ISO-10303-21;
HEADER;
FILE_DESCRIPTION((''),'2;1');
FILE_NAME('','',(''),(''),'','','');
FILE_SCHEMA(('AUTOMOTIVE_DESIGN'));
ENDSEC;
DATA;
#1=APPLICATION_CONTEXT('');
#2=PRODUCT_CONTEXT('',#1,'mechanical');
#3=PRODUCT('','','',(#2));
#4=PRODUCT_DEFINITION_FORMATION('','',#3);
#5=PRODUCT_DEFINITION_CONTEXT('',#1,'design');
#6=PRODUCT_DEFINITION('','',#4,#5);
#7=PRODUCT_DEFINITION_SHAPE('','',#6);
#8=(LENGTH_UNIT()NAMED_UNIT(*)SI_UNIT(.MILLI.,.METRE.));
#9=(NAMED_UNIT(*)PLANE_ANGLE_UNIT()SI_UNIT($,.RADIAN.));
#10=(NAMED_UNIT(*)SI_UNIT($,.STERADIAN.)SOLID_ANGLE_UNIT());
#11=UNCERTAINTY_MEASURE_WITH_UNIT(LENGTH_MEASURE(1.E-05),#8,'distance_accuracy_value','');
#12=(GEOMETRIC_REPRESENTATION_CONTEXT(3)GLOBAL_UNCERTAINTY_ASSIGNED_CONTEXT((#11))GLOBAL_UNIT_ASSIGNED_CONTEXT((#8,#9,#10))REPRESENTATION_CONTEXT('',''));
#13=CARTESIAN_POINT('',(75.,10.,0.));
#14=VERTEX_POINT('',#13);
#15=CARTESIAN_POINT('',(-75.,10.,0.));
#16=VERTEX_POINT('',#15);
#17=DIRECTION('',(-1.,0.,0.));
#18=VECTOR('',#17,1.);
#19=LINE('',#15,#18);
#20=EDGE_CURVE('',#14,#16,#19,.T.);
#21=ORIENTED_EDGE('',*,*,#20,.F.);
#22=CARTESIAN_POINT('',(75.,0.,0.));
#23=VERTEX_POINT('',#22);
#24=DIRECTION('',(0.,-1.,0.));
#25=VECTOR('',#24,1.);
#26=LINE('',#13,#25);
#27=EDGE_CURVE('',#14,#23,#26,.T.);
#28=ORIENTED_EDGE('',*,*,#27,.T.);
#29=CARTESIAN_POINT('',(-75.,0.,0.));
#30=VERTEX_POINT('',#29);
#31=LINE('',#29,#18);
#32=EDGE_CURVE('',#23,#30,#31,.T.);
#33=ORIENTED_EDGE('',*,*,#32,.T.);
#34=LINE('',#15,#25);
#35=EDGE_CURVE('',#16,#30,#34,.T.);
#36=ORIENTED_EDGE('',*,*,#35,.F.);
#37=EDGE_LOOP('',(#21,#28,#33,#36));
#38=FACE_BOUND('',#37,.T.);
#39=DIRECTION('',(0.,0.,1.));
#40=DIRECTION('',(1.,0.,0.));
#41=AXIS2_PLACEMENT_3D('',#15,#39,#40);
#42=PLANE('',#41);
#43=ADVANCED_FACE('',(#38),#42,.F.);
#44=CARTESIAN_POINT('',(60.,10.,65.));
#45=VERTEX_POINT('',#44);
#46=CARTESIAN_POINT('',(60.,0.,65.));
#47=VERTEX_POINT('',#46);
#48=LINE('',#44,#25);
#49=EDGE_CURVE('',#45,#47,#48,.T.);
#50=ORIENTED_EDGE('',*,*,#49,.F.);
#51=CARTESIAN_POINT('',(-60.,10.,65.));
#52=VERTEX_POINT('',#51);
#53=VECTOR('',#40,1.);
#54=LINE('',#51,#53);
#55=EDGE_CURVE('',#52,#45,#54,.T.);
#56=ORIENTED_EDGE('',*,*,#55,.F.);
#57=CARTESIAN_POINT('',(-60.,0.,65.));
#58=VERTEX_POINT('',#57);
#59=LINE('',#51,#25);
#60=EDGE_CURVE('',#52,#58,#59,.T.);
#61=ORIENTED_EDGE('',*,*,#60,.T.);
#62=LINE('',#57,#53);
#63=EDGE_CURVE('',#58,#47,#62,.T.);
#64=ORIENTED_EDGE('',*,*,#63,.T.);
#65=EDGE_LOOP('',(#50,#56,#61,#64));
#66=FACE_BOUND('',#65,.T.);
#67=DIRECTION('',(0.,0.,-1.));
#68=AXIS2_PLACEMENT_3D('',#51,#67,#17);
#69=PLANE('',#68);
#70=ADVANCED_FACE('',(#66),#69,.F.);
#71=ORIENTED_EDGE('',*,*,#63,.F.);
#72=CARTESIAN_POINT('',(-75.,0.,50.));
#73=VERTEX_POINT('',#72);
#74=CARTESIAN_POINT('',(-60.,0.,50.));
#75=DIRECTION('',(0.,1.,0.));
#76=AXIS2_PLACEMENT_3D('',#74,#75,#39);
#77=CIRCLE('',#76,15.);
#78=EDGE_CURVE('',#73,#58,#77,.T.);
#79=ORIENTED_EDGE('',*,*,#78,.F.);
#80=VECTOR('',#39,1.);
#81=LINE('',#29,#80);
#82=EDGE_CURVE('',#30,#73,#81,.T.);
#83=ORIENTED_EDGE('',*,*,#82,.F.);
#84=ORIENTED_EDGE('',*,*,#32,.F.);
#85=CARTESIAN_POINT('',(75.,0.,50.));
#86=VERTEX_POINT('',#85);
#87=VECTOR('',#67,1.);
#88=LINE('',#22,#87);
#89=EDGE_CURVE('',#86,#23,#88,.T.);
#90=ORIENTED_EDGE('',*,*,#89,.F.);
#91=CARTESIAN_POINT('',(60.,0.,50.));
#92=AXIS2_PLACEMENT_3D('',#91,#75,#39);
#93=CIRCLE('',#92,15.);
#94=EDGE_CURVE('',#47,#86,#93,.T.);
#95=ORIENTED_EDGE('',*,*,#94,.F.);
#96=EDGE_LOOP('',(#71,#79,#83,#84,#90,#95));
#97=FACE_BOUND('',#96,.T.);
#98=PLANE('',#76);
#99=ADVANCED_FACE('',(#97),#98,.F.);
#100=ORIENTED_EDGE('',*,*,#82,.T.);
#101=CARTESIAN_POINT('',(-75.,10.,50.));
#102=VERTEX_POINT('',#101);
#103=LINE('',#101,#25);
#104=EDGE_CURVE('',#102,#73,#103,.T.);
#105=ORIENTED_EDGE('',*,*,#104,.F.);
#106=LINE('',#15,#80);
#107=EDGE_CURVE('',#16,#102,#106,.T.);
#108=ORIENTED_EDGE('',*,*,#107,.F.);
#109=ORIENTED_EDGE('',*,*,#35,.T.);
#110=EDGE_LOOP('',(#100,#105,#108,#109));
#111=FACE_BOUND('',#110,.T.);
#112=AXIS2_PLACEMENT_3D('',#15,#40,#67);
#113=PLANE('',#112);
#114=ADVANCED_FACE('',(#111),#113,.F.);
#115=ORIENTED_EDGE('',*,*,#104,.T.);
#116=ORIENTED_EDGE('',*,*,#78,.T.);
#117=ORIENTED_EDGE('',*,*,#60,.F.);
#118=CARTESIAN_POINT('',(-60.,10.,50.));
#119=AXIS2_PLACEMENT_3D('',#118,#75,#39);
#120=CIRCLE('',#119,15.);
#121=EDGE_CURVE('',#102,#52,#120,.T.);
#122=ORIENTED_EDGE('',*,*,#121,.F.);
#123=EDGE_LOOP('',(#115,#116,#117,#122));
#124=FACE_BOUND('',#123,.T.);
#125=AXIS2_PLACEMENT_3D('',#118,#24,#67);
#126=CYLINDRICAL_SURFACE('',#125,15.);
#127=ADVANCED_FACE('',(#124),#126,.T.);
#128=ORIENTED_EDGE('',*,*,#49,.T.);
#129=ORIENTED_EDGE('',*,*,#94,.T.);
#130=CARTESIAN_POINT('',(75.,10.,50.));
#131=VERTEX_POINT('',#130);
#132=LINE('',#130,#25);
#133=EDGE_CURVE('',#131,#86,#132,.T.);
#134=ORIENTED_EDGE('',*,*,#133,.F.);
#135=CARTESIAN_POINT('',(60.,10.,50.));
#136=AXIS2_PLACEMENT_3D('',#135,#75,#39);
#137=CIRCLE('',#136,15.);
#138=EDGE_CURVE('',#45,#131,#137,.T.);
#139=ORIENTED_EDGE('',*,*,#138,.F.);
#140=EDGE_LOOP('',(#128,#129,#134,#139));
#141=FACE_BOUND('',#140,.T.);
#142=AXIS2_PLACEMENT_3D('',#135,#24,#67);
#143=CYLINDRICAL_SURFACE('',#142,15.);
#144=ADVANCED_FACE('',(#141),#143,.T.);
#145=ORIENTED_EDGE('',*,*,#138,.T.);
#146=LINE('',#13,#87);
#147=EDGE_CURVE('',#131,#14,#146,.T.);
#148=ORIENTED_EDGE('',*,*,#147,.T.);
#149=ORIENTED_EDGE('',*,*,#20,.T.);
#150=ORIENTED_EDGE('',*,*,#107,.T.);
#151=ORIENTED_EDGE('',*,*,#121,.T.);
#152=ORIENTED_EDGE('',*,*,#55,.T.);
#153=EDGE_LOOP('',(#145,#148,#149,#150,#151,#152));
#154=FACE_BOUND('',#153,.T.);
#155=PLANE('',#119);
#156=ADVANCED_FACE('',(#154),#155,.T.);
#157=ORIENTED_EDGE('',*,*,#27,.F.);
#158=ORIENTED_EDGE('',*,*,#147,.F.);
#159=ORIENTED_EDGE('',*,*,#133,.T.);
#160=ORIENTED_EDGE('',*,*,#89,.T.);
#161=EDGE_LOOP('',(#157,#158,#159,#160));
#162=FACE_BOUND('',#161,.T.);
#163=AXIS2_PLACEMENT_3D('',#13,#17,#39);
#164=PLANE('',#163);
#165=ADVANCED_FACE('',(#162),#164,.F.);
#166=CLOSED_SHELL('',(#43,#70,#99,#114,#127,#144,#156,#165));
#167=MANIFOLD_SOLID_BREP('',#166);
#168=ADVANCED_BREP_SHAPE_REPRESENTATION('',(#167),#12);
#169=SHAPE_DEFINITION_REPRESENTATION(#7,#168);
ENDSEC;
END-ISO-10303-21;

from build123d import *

# Parameters (mm, degrees)
BOSS_EXTRUDE1_DEPTH = 10


with BuildPart() as part:
    # Sketch1 → Boss-Extrude1 (new body)
    with BuildSketch(Plane(origin=(0, 0, 0), x_dir=(1, 0, 0), z_dir=(0, 1, 0))):
        with BuildLine():
            Line((-75, 0), (75, 0))
            Line((75, 0), (75, -50))
            ThreePointArc((75, -50), (70.606601718, -60.606601718), (60, -65))
            Line((60, -65), (-60, -65))
            ThreePointArc((-60, -65), (-70.606601718, -60.606601718), (-75, -50))
            Line((-75, -50), (-75, 0))
        make_face()
    extrude(amount=BOSS_EXTRUDE1_DEPTH)


solid = part.part
